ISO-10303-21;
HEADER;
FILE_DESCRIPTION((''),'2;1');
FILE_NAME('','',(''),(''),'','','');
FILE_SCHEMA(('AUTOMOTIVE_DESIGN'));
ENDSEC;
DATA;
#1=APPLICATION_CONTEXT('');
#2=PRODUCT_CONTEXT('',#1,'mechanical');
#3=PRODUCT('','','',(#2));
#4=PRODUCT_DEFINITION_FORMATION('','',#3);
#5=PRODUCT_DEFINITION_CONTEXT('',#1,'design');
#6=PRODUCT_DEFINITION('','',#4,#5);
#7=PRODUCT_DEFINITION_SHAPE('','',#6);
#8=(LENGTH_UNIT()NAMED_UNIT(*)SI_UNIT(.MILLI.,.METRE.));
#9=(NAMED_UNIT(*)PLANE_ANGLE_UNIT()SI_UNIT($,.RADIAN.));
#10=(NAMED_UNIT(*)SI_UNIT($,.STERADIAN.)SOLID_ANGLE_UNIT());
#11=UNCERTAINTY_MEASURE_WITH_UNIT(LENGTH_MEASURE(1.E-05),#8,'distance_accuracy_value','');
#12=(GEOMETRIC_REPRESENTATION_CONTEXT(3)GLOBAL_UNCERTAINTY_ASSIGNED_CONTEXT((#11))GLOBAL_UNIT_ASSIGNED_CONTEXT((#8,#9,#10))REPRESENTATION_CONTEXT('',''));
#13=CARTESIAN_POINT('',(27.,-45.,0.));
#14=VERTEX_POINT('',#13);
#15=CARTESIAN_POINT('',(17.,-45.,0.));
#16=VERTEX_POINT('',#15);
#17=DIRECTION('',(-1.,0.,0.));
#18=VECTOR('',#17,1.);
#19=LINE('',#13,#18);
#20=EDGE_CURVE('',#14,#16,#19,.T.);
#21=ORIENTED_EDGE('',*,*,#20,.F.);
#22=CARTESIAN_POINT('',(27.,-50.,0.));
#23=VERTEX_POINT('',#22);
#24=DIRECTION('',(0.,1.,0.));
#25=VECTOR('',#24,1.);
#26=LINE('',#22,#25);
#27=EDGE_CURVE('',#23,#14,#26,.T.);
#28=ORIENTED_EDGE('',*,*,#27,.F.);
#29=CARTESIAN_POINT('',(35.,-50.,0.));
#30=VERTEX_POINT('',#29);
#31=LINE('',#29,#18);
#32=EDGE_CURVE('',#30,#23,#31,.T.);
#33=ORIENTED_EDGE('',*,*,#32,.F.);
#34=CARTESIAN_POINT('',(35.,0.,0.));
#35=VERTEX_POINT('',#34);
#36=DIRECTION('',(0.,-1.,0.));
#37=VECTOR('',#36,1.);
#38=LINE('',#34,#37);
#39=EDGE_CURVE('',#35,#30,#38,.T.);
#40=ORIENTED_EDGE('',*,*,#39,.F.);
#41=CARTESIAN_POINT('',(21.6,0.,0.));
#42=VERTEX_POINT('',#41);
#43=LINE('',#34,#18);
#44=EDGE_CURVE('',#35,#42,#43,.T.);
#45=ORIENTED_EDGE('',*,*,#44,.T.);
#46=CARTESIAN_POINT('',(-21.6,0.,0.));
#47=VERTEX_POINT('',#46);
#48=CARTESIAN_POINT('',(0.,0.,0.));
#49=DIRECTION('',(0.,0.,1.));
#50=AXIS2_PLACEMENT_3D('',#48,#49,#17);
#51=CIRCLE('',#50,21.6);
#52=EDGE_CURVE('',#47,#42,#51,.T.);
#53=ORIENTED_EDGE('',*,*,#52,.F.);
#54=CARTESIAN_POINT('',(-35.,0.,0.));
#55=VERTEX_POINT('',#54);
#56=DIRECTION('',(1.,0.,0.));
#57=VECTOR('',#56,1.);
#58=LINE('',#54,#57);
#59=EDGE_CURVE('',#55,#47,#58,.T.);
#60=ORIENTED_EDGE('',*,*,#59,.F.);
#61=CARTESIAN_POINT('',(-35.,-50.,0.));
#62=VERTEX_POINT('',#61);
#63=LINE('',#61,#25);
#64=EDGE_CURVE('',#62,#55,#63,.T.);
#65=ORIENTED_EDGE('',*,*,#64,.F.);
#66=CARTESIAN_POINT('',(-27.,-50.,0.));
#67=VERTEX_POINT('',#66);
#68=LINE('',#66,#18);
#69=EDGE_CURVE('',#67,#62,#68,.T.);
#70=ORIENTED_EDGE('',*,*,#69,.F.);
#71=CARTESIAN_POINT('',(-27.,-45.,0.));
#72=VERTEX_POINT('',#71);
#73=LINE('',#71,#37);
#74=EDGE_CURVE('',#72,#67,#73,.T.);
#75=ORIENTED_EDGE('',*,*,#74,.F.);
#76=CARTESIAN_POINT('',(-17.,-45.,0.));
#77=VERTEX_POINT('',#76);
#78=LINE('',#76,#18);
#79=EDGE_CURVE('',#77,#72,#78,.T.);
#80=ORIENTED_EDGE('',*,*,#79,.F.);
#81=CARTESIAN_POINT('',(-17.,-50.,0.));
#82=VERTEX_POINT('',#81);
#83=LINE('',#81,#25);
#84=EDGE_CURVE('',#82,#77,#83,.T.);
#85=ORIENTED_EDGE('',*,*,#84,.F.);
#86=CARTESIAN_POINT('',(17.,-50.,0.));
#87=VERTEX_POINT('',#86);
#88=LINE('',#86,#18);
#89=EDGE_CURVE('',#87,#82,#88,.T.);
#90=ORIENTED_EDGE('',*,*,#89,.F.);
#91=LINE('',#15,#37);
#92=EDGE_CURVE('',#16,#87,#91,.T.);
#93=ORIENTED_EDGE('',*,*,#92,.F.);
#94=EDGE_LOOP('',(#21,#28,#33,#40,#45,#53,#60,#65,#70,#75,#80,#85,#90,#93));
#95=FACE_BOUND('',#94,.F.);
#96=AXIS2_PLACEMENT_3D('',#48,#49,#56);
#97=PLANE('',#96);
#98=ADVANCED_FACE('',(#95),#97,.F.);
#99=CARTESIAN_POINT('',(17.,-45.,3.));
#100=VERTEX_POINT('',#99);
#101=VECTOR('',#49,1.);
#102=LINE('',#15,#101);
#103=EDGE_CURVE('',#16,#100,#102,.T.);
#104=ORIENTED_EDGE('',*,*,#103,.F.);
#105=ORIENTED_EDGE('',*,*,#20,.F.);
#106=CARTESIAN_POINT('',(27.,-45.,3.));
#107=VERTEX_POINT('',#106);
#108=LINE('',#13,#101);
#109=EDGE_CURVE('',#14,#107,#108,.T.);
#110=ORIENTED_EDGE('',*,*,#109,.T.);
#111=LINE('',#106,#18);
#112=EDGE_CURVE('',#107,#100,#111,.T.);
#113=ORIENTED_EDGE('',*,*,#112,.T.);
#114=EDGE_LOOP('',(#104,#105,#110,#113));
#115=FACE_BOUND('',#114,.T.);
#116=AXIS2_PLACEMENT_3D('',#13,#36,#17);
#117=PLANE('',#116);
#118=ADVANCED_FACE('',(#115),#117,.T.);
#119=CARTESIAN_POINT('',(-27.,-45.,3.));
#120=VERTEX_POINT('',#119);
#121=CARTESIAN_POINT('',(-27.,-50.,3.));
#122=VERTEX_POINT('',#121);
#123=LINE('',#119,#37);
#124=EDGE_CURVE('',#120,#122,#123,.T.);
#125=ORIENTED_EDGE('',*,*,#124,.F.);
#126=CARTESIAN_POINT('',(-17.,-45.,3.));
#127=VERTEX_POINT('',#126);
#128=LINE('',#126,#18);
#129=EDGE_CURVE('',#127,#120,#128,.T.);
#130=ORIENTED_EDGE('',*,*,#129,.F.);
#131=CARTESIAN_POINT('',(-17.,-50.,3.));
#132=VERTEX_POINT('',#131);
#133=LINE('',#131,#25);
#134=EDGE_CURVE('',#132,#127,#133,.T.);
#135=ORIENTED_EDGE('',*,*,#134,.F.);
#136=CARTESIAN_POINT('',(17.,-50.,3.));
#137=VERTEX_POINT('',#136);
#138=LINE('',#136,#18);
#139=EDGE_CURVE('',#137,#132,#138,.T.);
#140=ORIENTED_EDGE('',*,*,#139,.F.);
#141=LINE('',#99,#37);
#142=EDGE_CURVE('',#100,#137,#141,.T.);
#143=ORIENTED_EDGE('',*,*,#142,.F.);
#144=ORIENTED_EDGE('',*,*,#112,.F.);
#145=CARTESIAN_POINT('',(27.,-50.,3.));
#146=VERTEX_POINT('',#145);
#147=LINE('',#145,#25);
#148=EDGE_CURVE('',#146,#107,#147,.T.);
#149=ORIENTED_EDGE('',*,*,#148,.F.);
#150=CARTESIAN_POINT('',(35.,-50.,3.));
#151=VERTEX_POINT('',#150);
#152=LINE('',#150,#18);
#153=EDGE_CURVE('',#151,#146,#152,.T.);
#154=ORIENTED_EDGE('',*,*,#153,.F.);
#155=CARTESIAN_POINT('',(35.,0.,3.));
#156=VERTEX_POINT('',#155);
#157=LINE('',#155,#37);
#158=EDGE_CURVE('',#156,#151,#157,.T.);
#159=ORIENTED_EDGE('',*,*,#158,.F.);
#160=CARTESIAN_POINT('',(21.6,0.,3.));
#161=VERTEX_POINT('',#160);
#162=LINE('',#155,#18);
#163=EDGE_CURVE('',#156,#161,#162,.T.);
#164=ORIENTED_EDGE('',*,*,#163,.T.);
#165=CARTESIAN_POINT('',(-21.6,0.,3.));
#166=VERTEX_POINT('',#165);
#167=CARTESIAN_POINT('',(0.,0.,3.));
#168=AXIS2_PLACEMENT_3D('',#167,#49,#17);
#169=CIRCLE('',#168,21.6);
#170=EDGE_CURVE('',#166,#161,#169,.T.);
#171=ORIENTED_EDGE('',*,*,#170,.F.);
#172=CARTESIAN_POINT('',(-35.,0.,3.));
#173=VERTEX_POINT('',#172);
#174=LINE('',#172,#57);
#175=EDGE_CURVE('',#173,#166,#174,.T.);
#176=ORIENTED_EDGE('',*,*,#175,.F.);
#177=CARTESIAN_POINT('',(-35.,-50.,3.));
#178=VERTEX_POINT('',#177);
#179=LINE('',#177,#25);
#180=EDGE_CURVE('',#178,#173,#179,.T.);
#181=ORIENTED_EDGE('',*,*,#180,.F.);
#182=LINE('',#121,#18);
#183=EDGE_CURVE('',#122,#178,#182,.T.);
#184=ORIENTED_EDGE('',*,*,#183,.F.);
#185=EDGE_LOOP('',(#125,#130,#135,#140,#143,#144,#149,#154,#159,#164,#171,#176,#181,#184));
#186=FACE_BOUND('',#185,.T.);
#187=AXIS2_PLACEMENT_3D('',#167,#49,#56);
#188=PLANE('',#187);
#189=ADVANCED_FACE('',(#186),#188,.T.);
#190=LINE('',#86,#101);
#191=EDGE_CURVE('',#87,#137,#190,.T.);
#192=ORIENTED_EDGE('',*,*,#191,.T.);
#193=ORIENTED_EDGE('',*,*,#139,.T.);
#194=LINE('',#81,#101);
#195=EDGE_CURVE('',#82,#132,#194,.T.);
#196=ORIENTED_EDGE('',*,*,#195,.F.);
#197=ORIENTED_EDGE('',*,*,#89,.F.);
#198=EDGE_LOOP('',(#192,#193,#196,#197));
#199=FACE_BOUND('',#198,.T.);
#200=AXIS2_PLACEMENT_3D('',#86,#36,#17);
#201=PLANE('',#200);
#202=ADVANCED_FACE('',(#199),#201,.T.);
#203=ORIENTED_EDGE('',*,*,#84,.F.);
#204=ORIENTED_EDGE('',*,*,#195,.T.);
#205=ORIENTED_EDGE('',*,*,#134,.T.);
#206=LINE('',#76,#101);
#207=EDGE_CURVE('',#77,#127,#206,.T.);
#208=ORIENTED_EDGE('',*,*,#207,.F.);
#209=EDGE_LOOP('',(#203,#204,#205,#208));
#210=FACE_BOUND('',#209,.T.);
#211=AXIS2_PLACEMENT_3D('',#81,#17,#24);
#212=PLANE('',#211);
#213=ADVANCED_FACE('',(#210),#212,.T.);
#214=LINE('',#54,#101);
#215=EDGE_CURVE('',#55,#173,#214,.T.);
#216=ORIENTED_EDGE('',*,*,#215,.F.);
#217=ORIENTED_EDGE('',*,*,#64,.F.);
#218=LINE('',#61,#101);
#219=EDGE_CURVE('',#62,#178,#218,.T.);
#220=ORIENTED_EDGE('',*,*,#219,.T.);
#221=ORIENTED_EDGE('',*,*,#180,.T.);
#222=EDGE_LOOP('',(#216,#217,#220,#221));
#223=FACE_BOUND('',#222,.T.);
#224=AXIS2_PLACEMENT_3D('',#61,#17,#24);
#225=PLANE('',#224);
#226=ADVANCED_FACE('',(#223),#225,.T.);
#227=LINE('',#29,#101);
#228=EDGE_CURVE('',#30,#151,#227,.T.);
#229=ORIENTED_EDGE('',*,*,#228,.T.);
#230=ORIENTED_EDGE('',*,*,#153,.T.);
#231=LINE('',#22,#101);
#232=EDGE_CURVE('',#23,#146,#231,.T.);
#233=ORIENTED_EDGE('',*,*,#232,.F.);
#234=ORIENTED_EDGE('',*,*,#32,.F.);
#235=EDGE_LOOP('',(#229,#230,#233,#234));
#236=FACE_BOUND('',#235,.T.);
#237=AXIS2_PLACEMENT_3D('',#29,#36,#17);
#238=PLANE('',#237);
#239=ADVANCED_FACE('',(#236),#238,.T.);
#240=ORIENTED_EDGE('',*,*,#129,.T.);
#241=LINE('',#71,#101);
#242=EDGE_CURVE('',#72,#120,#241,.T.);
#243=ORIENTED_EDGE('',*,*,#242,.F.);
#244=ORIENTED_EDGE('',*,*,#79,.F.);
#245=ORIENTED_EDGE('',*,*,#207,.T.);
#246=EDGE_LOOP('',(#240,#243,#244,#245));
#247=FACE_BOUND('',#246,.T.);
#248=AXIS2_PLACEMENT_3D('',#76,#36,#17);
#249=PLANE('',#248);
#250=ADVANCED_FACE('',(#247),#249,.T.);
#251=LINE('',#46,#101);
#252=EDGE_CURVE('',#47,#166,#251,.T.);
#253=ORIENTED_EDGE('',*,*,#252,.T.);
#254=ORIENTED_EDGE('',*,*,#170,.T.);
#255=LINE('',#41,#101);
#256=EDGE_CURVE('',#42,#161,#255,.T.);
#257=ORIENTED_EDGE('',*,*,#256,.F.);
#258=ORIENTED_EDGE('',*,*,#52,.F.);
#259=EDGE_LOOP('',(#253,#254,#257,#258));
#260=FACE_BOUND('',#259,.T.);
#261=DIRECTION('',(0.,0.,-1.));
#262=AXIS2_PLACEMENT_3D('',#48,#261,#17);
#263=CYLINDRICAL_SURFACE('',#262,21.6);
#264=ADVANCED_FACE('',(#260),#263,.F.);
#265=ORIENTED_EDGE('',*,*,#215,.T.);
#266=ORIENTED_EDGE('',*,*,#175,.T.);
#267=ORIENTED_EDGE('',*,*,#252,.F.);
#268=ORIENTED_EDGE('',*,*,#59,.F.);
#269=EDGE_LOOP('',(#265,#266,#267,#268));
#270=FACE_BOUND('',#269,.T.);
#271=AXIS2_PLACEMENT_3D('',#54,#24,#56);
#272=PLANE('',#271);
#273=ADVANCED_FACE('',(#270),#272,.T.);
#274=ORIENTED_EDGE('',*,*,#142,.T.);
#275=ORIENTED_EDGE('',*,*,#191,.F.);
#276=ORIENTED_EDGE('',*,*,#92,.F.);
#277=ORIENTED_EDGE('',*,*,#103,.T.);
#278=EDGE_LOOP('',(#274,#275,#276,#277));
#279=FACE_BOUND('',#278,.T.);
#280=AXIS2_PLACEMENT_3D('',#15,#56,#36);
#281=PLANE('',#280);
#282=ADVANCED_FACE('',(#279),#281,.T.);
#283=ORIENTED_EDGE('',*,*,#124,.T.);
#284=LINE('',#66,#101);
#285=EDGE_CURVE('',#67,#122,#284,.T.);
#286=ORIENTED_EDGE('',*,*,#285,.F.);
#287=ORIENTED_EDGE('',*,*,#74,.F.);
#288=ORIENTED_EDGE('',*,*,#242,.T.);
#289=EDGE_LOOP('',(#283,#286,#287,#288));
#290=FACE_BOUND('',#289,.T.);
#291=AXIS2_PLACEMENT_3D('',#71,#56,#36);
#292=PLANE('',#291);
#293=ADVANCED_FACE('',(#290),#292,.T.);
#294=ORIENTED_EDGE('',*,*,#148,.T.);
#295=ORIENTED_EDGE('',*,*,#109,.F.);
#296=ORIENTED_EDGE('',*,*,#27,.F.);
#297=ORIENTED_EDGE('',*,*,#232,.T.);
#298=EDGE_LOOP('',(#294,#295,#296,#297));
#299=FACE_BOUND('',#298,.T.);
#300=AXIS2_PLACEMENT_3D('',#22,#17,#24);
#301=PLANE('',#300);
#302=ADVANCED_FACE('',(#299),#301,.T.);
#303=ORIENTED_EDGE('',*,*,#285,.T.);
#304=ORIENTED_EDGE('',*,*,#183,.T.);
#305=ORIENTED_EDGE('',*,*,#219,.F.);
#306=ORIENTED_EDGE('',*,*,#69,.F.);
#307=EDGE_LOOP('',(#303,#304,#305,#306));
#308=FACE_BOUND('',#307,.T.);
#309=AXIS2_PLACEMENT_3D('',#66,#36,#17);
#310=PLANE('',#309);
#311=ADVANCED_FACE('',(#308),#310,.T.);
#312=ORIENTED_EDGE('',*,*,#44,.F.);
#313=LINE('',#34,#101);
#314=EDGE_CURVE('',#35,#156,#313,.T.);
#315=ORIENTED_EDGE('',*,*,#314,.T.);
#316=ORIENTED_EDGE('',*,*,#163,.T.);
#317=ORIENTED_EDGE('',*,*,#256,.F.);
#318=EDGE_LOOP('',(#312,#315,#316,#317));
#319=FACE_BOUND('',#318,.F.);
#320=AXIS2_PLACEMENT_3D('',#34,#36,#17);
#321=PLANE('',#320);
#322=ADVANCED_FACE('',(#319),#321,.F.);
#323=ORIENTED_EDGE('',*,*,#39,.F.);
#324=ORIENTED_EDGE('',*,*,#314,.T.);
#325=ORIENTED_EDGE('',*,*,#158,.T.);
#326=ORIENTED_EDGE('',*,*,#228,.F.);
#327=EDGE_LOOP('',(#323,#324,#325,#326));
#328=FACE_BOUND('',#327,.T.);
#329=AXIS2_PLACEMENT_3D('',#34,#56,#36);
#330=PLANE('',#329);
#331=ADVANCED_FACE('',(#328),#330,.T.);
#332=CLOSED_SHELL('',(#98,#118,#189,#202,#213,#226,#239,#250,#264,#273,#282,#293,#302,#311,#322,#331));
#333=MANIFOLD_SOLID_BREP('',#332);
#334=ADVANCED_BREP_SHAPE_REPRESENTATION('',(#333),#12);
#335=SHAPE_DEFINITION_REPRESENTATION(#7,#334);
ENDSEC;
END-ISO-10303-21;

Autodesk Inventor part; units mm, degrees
ref_plane "YZ Plane" through (0, 0, 0) normal (1, 0, 0) x (0, 1, 0)
ref_plane "XZ Plane" through (0, 0, 0) normal (0, 1, 0) x (-1, 0, 0)
ref_plane "XY Plane" through (0, 0, 0) normal (0, 0, 1) x (1, 0, 0)
sketch "Esquisse1" plane through (0, 0, 0) normal (0, 0, 1) x (1, 0, 0)
  line L0 (0, -14) -> (0, 14) construction
  circle A0 centre (0, 0) radius 30 construction
  line L1 (0, 0) -> (35, 0) construction
  line L2 (0, 0) -> (-35, 0) construction
  line L3 (-35, 0) -> (35, 0) construction
  line L4 (35, 0) -> (35, -50)
  line L5 (-35, -50) -> (-35, 0)
  line L6 (-49, 0) -> (49, 0) construction
  line L7 (0, -66) -> (0, 46) construction
  arc A1 (-21.6, 0) -> (21.6, 0) centre (0, 0) ccw
  line L8 (-35, 0) -> (-21.6, 0)
  line L9 (35, 0) -> (21.6, 0)
  line L10 (-17, -50) -> (-17, -45)
  line L11 (-17, -45) -> (-27, -45)
  line L12 (-27, -45) -> (-27, -50)
  line L13 (27, -50) -> (27, -45)
  line L14 (27, -45) -> (17, -45)
  line L15 (17, -45) -> (17, -50)
  line L16 (-27, -50) -> (-35, -50)
  line L17 (35, -50) -> (27, -50)
  line L18 (17, -50) -> (-17, -50)
  line L19 (0, 0) -> (21.6, 0) construction
  line L20 (30, 0) -> (35, 0) construction
  dimension "d8" = 60
  dimension "d12" = 70
  dimension "d23" = 35
  dimension "d25" = 21.6
  dimension "d26" = 10
  dimension "d28" = 10
  dimension "d30" = 8
  dimension "d31" = 8
  dimension "d32" = 5
  dimension "d33" = 5
  dimension "d34" = 5
  dimension "d35" = 50
  dimension "d36" = 5
extrude "Extrusion1" add sketch "Esquisse1" along normal blind 3
properties part number "Support_motor_front_2"
